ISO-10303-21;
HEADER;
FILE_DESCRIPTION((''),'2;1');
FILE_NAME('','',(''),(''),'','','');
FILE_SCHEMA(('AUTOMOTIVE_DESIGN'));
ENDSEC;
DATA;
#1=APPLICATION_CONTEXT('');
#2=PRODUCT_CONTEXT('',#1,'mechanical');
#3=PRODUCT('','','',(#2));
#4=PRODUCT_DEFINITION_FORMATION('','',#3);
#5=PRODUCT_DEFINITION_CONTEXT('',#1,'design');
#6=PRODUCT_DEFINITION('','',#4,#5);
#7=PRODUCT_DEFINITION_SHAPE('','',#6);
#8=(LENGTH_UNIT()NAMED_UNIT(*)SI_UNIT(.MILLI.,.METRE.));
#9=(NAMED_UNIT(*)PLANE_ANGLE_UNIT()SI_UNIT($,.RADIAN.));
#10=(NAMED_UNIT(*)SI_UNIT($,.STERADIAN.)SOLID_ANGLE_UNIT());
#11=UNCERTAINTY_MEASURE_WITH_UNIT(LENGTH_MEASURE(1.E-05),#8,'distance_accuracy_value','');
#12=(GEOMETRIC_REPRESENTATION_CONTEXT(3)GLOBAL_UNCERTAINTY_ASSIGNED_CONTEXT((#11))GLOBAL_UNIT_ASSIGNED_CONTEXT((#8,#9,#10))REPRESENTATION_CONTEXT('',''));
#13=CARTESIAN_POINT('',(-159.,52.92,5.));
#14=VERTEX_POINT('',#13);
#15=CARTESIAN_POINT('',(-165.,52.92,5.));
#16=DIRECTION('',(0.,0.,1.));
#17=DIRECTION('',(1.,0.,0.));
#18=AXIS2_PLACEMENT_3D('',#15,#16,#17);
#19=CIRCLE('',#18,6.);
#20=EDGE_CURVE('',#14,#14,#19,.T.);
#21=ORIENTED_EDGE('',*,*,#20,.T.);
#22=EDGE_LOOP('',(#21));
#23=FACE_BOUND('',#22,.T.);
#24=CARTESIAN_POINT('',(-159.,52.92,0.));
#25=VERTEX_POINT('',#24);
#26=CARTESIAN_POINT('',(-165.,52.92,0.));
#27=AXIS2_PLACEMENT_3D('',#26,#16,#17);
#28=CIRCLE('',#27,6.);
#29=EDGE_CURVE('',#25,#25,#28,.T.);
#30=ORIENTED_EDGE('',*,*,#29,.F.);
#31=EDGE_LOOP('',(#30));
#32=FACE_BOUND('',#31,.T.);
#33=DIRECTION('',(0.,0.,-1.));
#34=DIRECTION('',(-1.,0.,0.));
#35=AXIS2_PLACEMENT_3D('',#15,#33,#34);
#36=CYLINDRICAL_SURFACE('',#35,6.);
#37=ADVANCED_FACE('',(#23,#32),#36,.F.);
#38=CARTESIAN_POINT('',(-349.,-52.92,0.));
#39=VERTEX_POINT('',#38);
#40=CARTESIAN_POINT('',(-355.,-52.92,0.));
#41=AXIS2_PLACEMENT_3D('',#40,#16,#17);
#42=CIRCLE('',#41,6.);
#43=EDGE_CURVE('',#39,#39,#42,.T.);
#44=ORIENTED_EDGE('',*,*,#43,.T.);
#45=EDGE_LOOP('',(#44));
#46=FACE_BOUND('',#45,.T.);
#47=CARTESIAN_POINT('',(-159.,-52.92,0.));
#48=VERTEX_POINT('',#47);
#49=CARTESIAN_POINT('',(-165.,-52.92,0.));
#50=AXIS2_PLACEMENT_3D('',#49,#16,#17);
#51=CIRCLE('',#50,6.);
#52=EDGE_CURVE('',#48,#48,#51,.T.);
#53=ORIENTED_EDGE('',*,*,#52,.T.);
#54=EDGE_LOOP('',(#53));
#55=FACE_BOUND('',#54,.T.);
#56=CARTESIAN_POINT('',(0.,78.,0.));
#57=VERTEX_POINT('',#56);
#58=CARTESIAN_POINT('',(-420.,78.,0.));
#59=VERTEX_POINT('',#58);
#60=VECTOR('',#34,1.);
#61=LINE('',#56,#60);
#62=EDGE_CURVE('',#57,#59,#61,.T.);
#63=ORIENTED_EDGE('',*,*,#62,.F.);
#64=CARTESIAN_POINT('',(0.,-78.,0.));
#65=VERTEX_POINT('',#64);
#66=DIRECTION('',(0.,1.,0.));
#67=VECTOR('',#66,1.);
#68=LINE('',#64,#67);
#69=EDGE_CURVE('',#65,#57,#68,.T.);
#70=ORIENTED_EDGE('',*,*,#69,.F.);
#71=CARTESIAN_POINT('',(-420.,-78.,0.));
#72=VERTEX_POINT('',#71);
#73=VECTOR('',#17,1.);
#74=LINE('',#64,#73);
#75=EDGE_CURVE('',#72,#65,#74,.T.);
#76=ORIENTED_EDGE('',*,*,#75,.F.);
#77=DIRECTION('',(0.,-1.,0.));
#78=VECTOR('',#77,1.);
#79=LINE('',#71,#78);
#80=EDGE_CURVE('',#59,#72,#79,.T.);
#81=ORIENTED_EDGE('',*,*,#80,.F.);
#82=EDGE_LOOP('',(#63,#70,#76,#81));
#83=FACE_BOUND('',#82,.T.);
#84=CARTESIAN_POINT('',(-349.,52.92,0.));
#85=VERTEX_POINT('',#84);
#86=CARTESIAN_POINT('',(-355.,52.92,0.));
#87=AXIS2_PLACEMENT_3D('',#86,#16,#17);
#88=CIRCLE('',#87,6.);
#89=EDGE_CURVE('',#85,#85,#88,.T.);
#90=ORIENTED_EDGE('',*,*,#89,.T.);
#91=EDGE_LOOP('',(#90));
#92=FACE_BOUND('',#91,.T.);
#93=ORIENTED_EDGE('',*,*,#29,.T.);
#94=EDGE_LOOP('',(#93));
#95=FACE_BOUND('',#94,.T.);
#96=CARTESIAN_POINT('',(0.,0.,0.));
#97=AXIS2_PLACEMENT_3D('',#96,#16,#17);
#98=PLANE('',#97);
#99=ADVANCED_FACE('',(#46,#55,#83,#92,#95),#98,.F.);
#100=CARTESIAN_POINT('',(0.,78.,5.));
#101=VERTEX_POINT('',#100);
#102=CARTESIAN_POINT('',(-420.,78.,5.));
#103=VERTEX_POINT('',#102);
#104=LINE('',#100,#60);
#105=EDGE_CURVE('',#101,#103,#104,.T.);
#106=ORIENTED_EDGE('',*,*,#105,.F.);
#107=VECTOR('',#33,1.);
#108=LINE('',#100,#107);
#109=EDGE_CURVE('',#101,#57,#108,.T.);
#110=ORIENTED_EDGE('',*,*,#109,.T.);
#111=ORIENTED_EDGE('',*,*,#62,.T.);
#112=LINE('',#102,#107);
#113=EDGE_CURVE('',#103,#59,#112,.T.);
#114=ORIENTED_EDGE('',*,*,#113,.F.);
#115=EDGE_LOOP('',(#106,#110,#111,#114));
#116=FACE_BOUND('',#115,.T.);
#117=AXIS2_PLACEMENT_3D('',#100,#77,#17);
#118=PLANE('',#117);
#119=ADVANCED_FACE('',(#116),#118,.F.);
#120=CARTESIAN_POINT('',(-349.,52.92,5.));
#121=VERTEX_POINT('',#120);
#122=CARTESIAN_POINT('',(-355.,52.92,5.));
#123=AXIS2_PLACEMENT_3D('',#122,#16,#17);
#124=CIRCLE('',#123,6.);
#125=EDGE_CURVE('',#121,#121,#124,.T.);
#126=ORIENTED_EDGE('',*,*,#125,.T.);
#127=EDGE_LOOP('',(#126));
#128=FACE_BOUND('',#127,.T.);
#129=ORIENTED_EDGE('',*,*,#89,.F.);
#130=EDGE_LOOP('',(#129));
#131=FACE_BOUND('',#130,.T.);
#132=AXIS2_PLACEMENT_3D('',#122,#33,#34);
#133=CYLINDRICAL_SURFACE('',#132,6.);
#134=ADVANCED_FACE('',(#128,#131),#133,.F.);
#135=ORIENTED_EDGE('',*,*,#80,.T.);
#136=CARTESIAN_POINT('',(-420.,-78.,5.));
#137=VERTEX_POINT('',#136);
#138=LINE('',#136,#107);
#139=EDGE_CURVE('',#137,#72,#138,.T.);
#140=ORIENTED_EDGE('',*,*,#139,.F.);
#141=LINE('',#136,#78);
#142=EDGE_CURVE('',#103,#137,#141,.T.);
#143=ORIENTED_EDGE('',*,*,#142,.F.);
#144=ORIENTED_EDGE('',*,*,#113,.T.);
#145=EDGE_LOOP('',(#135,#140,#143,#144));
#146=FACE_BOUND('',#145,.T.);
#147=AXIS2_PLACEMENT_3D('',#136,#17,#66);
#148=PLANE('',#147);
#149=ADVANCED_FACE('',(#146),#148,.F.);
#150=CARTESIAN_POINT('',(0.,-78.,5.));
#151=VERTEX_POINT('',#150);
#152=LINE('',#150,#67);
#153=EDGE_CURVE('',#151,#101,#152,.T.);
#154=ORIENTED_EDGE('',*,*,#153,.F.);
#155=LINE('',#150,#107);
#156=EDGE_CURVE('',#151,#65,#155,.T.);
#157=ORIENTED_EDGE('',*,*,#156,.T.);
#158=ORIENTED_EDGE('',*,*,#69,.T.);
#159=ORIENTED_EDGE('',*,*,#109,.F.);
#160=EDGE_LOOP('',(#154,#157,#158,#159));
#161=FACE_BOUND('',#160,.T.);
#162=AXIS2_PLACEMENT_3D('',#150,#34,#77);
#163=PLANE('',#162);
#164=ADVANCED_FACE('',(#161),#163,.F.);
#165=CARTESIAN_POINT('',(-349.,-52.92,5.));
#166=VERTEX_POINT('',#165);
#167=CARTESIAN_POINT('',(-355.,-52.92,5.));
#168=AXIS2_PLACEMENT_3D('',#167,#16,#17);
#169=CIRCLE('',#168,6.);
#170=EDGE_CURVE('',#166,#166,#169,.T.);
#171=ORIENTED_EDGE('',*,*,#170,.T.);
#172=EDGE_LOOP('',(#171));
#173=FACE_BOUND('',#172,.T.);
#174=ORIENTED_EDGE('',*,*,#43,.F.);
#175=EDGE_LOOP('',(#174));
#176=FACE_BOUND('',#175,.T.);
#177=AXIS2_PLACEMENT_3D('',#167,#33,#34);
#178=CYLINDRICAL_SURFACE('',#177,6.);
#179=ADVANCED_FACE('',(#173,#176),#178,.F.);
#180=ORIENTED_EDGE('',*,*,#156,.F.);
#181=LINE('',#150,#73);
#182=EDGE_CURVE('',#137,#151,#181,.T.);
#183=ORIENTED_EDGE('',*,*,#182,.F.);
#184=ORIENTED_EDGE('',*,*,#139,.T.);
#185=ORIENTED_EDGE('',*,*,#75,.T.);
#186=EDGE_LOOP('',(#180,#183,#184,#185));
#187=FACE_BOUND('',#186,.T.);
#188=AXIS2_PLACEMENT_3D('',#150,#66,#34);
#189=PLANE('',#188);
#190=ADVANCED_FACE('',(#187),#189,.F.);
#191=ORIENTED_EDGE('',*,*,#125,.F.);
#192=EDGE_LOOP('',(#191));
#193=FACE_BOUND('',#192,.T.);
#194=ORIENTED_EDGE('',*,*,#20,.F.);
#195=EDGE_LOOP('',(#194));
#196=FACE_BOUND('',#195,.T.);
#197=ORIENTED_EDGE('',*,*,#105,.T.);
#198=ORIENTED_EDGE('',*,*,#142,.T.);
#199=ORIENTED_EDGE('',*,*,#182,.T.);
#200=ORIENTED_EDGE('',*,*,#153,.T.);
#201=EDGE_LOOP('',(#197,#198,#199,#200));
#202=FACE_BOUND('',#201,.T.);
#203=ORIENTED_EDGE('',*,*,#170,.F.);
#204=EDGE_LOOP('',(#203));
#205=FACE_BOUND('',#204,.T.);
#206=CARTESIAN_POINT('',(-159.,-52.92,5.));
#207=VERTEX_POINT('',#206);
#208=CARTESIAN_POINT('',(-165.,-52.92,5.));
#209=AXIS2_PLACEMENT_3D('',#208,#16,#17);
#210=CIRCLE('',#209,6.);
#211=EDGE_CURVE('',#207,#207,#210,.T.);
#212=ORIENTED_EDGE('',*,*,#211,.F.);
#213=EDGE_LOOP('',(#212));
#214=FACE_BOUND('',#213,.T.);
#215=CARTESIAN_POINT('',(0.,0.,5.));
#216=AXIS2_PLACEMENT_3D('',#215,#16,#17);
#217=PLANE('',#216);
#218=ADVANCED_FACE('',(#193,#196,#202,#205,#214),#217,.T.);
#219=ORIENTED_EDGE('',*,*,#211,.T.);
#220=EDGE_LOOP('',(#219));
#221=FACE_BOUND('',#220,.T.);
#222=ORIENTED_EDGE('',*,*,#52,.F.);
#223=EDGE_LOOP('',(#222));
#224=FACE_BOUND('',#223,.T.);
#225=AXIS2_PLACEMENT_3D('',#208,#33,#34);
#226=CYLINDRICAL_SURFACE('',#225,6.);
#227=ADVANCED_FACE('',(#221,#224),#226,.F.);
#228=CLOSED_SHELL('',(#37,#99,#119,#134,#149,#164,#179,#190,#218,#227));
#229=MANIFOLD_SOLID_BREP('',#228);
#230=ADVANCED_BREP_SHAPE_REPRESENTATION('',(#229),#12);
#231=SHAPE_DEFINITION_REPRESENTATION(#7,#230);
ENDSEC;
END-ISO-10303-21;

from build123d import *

# Parameters (mm, degrees)
SKETCH1_W           = 420
SKETCH1_H           = 156
SKETCH1_R           = 6
BOSS_EXTRUDE1_DEPTH = 5


with BuildPart() as part:
    # Sketch1 → Boss-Extrude1 (new body)
    with BuildSketch(Plane.XY):
        with Locations((-210, 0)):
            Rectangle(SKETCH1_W, SKETCH1_H)
        with Locations((-355, 52.92)):
            Circle(SKETCH1_R, mode=Mode.SUBTRACT)
        with Locations((-165, 52.92)):
            Circle(SKETCH1_R, mode=Mode.SUBTRACT)
        with Locations((-165, -52.92)):
            Circle(SKETCH1_R, mode=Mode.SUBTRACT)
        with Locations((-355, -52.92)):
            Circle(SKETCH1_R, mode=Mode.SUBTRACT)
    extrude(amount=BOSS_EXTRUDE1_DEPTH)


solid = part.part
